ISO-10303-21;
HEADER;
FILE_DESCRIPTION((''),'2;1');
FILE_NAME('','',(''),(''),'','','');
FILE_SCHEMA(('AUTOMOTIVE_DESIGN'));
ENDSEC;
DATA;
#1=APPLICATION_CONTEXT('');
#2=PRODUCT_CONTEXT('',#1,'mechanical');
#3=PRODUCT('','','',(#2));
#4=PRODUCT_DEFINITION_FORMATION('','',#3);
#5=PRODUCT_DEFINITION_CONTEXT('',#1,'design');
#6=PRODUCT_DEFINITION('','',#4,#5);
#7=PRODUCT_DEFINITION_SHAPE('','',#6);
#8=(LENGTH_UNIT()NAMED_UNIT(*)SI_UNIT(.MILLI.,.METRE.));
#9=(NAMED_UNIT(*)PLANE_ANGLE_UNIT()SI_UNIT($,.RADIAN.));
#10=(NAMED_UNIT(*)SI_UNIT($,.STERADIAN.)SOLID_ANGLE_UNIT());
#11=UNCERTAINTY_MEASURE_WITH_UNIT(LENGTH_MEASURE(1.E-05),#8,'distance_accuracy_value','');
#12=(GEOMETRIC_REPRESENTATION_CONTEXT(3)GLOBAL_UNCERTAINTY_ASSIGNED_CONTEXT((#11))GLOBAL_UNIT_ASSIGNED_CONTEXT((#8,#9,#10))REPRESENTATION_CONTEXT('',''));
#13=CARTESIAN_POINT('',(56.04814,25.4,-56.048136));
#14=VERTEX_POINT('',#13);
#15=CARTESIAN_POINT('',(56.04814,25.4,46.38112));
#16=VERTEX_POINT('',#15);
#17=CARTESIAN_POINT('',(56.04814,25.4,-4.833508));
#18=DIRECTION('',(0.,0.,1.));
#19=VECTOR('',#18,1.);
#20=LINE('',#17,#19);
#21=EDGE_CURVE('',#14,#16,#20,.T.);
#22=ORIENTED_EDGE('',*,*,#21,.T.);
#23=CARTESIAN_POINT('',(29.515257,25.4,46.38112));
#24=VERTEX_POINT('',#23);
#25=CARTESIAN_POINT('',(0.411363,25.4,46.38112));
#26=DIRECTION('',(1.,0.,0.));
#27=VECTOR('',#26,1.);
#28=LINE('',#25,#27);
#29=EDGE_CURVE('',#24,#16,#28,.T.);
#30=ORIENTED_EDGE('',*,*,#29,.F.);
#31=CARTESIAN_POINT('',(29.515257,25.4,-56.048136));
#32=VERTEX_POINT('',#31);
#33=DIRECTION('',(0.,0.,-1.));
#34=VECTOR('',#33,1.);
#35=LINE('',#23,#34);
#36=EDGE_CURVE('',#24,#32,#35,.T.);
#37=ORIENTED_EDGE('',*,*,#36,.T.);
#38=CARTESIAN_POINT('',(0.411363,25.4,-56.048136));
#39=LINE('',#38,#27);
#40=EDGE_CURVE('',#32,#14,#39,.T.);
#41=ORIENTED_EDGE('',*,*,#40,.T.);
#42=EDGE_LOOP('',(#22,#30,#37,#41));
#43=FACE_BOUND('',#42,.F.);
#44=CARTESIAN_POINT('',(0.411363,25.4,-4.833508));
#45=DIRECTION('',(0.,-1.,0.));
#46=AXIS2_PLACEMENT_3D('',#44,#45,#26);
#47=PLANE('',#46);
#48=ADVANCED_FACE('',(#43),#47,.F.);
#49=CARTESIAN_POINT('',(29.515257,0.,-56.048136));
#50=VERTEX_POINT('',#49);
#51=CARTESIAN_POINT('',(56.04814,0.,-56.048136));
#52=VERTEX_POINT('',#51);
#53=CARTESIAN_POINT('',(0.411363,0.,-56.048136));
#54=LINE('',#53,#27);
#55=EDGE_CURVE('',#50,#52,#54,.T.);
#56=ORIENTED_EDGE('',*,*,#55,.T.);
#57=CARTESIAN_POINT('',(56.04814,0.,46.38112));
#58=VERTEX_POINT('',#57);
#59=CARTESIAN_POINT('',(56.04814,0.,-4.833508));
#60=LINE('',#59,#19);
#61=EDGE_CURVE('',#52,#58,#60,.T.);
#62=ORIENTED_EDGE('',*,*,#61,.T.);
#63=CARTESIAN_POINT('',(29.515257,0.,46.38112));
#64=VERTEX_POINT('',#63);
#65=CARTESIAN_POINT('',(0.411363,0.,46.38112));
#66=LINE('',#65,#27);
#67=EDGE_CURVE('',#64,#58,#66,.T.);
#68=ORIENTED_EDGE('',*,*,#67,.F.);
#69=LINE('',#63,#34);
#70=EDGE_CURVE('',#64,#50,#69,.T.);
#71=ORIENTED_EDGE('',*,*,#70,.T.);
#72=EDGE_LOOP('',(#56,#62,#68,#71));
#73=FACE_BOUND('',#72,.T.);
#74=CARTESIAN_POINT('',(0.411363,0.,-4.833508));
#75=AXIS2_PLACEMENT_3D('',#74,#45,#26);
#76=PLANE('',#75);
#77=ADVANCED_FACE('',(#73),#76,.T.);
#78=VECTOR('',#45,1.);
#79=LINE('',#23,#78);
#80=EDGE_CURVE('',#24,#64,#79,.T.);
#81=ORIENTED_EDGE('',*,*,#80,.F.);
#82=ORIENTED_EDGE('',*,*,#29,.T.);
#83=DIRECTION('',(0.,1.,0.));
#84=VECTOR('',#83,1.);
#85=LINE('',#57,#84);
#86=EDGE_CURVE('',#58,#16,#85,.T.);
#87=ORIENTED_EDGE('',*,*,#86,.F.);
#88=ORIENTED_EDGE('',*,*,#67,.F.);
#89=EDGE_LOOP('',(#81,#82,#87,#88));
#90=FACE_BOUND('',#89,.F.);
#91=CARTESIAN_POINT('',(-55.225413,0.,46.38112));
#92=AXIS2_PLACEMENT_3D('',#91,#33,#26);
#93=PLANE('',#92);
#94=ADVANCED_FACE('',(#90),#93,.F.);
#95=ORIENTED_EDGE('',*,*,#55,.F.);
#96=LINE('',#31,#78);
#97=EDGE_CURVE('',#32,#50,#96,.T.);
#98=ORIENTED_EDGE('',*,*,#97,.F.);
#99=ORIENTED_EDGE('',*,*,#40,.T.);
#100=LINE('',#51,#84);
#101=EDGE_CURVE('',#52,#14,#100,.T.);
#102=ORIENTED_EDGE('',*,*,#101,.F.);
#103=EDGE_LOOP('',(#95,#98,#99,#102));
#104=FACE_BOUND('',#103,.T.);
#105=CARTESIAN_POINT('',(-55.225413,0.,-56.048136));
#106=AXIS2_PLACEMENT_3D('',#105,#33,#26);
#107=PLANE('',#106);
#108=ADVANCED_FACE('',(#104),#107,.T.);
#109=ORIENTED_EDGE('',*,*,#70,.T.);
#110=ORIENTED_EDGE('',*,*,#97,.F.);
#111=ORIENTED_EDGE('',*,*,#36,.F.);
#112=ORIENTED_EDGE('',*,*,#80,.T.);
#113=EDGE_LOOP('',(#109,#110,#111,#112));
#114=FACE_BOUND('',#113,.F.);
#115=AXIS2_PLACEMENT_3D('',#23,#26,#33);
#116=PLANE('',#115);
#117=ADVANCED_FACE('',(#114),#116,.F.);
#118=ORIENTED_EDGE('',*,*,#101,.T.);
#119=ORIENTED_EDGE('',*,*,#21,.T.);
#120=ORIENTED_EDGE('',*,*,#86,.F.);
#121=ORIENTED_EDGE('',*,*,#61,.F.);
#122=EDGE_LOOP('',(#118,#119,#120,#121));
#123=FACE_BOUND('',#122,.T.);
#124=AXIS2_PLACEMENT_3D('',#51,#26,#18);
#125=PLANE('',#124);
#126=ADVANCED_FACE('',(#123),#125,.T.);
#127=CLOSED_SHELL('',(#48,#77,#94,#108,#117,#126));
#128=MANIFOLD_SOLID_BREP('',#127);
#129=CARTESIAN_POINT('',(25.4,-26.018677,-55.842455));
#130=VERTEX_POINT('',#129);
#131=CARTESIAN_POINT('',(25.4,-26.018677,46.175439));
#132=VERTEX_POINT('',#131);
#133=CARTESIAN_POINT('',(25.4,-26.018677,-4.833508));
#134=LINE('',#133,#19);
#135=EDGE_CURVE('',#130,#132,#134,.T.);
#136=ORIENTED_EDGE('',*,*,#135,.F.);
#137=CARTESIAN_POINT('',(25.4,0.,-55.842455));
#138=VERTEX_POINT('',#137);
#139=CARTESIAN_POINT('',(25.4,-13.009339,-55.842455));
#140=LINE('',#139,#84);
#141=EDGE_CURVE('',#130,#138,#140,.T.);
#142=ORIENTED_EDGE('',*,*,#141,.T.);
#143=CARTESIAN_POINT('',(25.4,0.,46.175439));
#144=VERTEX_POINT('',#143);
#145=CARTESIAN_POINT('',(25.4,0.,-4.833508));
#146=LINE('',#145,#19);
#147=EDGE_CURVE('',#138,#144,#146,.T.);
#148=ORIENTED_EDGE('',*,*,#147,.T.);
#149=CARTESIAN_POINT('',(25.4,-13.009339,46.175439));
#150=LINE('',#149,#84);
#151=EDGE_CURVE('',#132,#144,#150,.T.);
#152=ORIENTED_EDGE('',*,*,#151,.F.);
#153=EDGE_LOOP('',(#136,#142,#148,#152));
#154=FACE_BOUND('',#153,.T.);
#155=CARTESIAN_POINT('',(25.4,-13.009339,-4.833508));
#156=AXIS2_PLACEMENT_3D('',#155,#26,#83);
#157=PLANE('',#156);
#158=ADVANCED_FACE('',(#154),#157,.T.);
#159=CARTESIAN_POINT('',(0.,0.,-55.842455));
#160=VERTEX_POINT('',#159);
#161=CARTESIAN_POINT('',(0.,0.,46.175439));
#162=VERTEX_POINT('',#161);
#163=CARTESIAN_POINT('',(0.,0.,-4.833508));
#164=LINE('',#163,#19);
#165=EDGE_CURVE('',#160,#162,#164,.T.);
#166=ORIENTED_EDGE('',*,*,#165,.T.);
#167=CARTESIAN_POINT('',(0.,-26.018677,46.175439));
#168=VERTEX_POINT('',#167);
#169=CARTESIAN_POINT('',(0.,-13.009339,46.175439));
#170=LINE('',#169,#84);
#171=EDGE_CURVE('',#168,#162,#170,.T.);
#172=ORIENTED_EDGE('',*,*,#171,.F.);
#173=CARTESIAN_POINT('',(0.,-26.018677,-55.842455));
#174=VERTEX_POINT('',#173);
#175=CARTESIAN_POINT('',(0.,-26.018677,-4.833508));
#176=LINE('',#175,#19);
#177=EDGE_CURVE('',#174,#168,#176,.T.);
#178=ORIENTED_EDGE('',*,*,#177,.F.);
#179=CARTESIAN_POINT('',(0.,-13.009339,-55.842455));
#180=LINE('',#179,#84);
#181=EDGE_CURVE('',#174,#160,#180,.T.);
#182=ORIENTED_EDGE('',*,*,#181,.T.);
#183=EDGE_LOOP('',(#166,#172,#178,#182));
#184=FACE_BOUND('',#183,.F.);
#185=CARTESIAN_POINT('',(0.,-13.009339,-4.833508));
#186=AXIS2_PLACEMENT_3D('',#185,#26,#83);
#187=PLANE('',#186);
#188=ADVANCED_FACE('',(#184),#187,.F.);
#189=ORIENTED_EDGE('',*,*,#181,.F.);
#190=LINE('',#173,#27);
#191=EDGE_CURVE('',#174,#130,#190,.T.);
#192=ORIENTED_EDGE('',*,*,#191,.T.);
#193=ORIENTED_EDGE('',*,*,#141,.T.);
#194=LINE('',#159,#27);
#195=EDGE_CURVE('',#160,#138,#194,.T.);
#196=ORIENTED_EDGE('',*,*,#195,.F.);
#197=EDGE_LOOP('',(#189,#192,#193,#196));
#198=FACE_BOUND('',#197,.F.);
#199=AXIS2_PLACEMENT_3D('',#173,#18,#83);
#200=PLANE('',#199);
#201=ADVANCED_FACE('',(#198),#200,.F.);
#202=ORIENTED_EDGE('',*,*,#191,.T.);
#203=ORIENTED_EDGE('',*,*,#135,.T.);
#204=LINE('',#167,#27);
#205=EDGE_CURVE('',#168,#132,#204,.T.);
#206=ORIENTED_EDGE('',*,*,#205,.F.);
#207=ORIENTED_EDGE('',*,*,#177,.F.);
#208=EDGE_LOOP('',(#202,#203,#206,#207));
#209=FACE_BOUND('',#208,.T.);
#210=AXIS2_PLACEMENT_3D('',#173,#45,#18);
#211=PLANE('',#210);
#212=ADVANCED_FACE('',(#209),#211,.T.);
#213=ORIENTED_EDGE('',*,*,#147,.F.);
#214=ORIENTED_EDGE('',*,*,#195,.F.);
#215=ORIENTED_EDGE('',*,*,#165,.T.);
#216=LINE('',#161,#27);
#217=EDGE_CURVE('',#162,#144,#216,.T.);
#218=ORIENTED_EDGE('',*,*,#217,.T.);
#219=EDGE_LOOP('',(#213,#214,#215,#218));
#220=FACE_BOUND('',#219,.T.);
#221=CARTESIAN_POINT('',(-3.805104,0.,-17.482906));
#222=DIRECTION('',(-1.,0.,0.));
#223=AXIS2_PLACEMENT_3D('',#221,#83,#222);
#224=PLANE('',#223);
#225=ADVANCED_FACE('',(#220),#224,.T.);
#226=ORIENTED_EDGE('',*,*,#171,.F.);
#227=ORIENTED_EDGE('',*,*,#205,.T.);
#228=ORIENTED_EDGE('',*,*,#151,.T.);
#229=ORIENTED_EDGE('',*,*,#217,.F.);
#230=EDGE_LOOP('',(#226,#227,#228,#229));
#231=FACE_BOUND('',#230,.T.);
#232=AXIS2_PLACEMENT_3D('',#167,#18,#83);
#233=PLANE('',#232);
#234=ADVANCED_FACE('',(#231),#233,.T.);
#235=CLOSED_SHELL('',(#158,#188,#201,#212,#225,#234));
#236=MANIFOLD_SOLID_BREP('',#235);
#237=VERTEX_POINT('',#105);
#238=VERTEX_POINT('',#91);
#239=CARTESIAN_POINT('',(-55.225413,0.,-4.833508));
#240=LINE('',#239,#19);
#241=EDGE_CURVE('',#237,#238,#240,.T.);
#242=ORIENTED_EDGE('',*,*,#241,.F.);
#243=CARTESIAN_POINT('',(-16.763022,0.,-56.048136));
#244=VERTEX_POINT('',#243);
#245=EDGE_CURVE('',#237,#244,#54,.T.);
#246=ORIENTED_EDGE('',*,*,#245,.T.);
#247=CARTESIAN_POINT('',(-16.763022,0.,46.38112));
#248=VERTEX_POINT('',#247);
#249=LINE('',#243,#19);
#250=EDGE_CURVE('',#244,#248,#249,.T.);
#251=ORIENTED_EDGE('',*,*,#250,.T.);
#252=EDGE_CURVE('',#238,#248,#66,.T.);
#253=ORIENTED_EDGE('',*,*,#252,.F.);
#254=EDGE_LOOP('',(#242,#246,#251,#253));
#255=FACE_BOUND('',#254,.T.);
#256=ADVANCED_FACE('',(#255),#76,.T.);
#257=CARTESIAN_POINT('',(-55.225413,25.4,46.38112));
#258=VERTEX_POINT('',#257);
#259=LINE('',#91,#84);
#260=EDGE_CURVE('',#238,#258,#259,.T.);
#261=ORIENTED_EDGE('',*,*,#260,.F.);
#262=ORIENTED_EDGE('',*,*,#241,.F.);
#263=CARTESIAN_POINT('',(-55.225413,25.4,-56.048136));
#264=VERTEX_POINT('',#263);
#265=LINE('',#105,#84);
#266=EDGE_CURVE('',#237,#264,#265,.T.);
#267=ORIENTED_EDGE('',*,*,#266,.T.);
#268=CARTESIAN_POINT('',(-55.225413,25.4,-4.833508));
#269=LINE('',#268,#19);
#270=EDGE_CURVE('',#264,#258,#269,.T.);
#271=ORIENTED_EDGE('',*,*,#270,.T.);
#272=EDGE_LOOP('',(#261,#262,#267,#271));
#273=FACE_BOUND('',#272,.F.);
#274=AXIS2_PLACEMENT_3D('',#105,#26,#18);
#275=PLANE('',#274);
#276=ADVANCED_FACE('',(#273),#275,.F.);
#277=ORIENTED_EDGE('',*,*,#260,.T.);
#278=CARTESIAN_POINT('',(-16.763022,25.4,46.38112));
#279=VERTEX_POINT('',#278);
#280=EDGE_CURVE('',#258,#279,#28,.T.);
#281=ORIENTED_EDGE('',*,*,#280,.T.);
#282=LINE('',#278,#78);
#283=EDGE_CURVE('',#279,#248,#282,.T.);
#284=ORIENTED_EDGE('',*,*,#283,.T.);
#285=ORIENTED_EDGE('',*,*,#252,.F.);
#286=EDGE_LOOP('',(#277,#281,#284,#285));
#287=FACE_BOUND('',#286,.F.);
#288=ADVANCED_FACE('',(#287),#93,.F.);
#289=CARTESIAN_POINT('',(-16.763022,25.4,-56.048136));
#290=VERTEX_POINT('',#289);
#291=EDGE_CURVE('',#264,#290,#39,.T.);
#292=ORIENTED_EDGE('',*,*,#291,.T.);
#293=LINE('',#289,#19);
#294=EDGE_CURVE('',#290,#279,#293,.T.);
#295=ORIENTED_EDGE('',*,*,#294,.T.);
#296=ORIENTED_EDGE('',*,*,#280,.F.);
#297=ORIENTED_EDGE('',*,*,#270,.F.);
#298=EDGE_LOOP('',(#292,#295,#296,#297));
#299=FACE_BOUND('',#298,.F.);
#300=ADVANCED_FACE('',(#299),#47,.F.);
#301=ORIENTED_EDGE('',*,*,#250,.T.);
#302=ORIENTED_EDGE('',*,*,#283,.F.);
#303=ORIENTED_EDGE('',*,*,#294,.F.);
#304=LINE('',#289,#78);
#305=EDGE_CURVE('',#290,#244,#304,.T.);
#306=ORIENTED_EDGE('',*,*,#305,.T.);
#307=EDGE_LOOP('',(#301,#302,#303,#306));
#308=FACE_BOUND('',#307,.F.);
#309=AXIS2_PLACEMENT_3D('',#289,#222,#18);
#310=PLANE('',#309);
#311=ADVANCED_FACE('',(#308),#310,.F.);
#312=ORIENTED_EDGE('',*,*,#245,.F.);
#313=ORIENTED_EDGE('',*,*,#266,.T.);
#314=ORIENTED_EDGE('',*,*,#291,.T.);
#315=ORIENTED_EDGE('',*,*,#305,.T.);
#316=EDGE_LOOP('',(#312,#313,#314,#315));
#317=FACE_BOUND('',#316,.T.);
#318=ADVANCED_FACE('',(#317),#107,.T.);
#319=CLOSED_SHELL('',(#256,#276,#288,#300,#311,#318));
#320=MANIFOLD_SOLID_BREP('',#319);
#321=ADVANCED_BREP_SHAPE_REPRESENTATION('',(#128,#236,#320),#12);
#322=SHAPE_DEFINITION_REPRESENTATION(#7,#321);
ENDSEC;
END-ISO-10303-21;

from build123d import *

# Parameters (mm, degrees)
F0_W     = 111.2735532224
F0_H     = 102.4292558432
F1_DEPTH = 25.4
F2_W     = 26.0186772794
F2_H     = 102.0178943872
F3_DEPTH = 25.4
F4_W     = 25.9158369154
F4_H     = 77.1304611117
F4_W_2   = 20.3624423593
F4_H_2   = 22.6249378175
F4_H_3   = 2.673856914
F5_DEPTH = 25.4


with BuildPart() as f1:
    # F0 (on Front) → F1 (new body)
    with BuildSketch(Plane.XZ):
        with Locations((0.4113633186, -4.8335082829)):
            Rectangle(F0_W, F0_H)
    extrude(amount=-F1_DEPTH)

    # F2 (on Right) → F3 (join)
    with BuildSketch(Plane.YZ):
        with Locations((-13.0093386397, -4.8335082829)):
            Rectangle(F2_W, F2_H)
    extrude(amount=F3_DEPTH)

    # F4 (on face) → F5 (cut)
    with BuildSketch(Plane(origin=(0, 25.4, 0), x_dir=(-1, 0, 0), z_dir=(0, 1, 0))):
        with Locations((3.8051037118, -17.4829056486)):
            Rectangle(F4_W, F4_H)
        with Locations((-19.3340359256, -17.4829056486)):
            Rectangle(F4_W_2, F4_H)
        with Locations((-19.3340359256, 32.3947938159)):
            Rectangle(F4_W_2, F4_H_2)
        with Locations((3.8051037118, 32.3947938159)):
            Rectangle(F4_W, F4_H_2)
        with Locations((-19.3340359256, 45.0441911817)):
            Rectangle(F4_W_2, F4_H_3)
        with Locations((3.8051037118, 45.0441911817)):
            Rectangle(F4_W, F4_H_3)
    extrude(amount=-F5_DEPTH, mode=Mode.SUBTRACT)


solid = f1.part
